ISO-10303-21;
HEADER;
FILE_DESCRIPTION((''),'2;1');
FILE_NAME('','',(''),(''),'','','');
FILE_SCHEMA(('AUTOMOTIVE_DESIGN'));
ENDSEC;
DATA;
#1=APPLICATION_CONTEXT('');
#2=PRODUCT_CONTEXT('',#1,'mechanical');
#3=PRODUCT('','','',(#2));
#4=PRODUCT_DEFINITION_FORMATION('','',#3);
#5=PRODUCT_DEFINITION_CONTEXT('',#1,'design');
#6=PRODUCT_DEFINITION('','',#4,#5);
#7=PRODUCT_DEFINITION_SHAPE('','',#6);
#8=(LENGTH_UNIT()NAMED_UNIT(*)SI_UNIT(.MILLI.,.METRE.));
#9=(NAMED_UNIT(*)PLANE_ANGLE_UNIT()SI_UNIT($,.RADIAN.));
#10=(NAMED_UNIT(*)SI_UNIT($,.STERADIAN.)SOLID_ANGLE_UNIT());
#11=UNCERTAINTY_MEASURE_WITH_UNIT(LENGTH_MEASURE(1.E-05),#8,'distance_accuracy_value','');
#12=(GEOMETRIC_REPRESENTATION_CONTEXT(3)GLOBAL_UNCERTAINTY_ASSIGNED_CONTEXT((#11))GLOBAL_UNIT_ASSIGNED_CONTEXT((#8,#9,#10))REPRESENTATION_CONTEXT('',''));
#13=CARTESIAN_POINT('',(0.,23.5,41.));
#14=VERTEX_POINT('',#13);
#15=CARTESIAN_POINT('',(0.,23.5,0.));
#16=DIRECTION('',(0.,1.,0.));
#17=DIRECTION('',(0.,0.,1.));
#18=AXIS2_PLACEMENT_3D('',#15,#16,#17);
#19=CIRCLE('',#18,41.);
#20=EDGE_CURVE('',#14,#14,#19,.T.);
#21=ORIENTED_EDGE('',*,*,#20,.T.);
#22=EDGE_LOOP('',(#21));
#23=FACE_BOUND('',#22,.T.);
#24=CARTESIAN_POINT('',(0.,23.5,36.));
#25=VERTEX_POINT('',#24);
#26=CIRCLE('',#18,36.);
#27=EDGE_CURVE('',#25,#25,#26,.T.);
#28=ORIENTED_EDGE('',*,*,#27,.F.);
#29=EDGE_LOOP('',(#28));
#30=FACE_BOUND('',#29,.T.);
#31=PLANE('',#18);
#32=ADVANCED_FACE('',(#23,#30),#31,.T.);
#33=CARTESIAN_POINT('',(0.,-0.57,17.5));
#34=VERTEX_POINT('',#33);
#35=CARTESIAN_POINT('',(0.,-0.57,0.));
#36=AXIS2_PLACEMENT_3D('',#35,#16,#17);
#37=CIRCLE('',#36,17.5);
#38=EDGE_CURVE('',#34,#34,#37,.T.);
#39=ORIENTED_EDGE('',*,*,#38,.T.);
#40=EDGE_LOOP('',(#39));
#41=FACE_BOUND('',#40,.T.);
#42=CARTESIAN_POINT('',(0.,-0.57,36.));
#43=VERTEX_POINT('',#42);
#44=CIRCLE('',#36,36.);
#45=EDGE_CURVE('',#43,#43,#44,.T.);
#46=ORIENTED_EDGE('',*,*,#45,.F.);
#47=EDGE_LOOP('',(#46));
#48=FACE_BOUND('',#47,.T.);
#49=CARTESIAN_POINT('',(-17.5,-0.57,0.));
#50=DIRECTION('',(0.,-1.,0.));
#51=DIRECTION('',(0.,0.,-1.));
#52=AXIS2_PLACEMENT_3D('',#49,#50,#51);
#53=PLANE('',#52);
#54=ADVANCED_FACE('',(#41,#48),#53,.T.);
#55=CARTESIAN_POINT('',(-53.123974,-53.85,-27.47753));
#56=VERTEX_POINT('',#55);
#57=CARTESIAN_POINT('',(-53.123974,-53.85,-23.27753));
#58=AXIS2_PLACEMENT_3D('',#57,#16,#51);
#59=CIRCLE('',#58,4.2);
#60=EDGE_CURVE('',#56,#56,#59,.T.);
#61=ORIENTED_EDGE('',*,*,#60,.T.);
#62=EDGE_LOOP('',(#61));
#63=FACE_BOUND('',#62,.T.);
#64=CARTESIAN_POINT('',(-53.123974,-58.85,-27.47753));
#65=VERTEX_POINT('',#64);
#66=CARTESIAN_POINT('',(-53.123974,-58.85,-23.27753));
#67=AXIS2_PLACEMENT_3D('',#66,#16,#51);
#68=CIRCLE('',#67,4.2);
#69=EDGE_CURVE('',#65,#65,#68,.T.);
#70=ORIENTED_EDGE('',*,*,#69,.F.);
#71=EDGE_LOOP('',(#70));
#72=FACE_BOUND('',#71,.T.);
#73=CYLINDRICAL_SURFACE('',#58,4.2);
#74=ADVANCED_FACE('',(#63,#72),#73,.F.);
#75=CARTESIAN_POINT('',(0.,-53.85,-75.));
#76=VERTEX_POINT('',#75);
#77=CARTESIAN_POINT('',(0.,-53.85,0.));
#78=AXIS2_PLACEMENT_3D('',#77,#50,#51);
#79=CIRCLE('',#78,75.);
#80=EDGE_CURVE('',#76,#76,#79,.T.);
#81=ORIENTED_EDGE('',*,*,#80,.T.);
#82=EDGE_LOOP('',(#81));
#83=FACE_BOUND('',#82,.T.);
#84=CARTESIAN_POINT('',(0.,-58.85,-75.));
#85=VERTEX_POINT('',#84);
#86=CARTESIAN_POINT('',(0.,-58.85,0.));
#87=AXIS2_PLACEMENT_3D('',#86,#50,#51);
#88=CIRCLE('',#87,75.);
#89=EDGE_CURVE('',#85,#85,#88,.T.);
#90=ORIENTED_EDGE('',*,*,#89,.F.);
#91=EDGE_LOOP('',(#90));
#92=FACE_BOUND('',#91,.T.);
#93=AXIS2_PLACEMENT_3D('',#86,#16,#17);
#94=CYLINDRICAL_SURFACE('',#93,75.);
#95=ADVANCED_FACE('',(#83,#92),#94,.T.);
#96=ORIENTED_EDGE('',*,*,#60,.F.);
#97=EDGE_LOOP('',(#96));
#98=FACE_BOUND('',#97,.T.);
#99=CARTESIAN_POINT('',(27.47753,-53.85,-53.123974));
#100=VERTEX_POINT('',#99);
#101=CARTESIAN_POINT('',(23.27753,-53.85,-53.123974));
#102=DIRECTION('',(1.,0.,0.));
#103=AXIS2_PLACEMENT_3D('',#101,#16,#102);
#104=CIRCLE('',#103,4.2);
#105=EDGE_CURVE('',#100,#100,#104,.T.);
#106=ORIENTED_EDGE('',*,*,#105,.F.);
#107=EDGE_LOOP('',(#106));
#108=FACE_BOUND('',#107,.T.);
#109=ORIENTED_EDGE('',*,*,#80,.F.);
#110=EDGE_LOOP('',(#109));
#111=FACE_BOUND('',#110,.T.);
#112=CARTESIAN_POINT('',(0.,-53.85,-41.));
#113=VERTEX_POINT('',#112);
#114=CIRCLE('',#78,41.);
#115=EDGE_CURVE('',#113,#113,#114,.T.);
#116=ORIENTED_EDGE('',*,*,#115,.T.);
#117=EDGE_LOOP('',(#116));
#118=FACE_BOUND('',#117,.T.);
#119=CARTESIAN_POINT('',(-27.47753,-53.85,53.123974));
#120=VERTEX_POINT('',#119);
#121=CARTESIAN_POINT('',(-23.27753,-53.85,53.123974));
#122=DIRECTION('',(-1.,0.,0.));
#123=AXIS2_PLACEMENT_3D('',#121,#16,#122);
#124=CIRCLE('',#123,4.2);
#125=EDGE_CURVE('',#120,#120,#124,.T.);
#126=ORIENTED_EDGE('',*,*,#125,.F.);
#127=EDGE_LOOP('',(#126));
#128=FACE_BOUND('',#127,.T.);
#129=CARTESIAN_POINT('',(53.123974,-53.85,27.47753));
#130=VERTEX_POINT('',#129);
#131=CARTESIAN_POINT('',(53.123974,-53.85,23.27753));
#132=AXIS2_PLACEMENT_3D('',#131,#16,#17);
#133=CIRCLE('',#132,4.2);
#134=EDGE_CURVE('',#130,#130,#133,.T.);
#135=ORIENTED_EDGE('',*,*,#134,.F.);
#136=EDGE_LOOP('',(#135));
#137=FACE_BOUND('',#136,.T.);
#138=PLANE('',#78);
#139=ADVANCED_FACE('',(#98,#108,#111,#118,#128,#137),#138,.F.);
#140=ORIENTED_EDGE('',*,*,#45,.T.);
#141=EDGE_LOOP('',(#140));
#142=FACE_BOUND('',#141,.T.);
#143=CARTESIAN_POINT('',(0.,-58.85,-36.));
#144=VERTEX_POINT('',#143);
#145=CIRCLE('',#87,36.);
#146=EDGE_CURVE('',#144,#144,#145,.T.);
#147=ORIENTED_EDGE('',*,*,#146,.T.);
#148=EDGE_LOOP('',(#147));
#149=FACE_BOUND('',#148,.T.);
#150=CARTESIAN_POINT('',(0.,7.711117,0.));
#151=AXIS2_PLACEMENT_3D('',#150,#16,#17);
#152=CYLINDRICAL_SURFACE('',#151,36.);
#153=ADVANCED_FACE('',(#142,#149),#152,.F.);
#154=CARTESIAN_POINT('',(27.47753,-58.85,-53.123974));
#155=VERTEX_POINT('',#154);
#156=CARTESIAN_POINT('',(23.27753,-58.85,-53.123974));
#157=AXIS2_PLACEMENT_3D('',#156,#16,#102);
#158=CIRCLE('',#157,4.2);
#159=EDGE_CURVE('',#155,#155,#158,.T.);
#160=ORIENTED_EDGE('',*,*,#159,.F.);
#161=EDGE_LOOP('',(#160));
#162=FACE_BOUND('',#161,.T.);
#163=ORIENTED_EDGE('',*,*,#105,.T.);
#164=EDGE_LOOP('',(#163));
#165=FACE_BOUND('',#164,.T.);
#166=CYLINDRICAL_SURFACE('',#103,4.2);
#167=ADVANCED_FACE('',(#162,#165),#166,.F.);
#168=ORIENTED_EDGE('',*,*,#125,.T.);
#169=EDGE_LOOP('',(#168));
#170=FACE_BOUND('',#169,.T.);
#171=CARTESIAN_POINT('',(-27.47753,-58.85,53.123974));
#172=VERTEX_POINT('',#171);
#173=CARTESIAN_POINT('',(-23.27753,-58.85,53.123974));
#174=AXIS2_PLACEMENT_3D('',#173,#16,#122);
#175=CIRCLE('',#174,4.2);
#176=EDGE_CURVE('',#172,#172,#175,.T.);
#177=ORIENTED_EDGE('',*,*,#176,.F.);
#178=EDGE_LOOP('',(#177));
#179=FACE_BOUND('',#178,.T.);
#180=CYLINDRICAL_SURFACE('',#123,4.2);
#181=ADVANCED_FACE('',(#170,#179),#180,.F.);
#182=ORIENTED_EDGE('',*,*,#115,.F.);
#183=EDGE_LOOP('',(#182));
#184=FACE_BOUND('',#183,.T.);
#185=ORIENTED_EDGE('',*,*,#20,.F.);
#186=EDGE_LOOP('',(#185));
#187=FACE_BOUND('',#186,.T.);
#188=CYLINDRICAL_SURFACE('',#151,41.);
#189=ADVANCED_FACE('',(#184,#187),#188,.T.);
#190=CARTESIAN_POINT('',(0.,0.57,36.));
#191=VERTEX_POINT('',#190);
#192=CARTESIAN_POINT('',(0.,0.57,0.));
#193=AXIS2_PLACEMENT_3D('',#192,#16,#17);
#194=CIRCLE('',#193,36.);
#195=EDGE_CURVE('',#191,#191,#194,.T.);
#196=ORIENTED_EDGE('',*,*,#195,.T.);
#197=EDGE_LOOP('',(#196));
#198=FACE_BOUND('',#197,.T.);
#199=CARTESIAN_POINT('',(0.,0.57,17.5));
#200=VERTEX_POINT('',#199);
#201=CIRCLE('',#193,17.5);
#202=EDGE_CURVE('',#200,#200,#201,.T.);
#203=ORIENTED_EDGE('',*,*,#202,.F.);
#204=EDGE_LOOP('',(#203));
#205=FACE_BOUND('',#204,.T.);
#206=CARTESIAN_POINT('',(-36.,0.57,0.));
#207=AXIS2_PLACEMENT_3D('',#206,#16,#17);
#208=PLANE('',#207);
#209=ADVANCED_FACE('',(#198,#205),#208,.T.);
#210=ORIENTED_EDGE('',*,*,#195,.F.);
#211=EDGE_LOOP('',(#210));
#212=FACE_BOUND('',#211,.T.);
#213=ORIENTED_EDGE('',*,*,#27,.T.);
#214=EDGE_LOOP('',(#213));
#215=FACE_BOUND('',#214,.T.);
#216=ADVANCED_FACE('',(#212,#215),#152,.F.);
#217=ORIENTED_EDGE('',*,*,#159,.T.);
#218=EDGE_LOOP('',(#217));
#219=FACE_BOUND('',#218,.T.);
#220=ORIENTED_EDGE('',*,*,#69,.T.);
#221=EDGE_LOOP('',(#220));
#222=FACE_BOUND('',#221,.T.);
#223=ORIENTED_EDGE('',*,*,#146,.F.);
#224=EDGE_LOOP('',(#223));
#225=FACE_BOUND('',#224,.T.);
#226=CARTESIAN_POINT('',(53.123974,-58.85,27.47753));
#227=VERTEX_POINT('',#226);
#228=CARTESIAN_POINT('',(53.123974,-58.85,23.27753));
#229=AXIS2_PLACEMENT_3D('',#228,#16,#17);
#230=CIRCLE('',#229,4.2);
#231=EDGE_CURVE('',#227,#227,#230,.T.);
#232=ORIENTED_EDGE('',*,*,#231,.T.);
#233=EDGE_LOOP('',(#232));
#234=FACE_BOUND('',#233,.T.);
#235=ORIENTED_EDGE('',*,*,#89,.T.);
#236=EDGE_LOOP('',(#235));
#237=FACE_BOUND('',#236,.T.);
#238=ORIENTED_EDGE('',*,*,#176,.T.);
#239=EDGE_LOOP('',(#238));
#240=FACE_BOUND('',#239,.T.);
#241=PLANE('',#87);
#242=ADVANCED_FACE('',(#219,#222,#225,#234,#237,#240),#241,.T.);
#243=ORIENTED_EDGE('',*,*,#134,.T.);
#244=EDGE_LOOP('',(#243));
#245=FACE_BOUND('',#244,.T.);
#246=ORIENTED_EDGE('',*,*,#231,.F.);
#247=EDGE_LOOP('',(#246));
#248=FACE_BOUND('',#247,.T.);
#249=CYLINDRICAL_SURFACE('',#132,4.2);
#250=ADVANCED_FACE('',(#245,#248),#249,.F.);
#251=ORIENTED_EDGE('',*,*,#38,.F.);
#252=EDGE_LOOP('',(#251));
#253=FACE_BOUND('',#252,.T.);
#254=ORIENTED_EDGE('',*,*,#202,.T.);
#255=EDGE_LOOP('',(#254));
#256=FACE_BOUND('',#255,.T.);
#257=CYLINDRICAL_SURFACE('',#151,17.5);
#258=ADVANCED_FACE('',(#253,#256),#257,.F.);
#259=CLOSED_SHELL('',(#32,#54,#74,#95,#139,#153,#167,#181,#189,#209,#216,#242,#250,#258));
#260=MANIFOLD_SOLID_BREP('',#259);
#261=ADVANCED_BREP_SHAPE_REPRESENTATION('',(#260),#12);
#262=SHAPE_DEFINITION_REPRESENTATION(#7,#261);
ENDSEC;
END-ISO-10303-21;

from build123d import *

# Parameters (mm, degrees)
BOSS_EXTRU_1_START           = 3.85
ESQUISSE2_R                  = 41
ESQUISSE2_R_2                = 36
BOSS_EXTRU_1_DEPTH           = 3.85
ENL_V_START                  = -26.5
ESQUISSE4_R                  = 41
ESQUISSE4_R_2                = 36
ENL_V_MAT_EXTRU_2_DEPTH      = 26.5
BOSS_EXTRU_2_START           = 5
ESQUISSE5_R                  = 75
ESQUISSE5_R_2                = 36
BOSS_EXTRU_2_DEPTH           = 5
D_GAGEMENT_M81_D             = 8.4
R_P_TITION_CIRCULAIRE1_COUNT = 4


with BuildPart() as part:
    # Esquisse1 → Révolution1 (revolve)
    with BuildSketch(Plane.XY, mode=Mode.PRIVATE) as r_volution1_sk:
        Polygon((-17.5, 0.57), (-17.5, -0.57), (-36, -0.57), (-36, -50), (-41, -50), (-41, 50), (-36, 50), (-36, 0.57), align=None)
    revolve(r_volution1_sk.sketch.rotate(Axis((0, 7.711117165, 0), (0, -1, 0)), 270), axis=Axis((0, 7.711117165, 0), (0, -1, 0)))

    # Esquisse2 → Boss.-Extru.1 (add)
    with BuildSketch(Plane.XZ.offset(50).offset(BOSS_EXTRU_1_START)):
        with Locations(Location((0, 0, 0), (0, 0, 90))):
            Circle(ESQUISSE2_R)
        with Locations(Location((0, 0, 0), (0, 0, 90))):
            Circle(ESQUISSE2_R_2, mode=Mode.SUBTRACT)
    extrude(amount=-BOSS_EXTRU_1_DEPTH)

    # Esquisse4 → Enlèv. mat.-Extru.2 (cut)
    with BuildSketch(Plane(origin=(0, 50, 0), x_dir=(1, 0, 0), z_dir=(0, 1, 0)).offset(ENL_V_START)):
        with Locations(Location((0, 0, 0), (0, 0, 270))):
            Circle(ESQUISSE4_R)
        with Locations(Location((0, 0, 0), (0, 0, 270))):
            Circle(ESQUISSE4_R_2, mode=Mode.SUBTRACT)
    extrude(amount=ENL_V_MAT_EXTRU_2_DEPTH, mode=Mode.SUBTRACT)

    # Esquisse5 → Boss.-Extru.2 (add)
    with BuildSketch(Plane.XZ.offset(53.85).offset(BOSS_EXTRU_2_START)):
        with Locations(Location((0, 0, 0), (0, 0, 270))):
            Circle(ESQUISSE5_R)
        with Locations(Location((0, 0, 0), (0, 0, 90))):
            Circle(ESQUISSE5_R_2, mode=Mode.SUBTRACT)
    extrude(amount=-BOSS_EXTRU_2_DEPTH)

    # Dégagement M81 (through all)
    with Locations(Plane(origin=(0, -53.85, 0), x_dir=(1, 0, 0), z_dir=(0, 1, 0))):
        with Locations((53.123973782, -23.277530145)):
            d_gagement_m81 = Hole(D_GAGEMENT_M81_D / 2)

    # Répétition circulaire1: Dégagement M81 ×4 about axis
    r_p_tition_circulaire1_axis = Axis((0, 0, 0), (0, 1, 0))
    for i in range(1, R_P_TITION_CIRCULAIRE1_COUNT):
        add(d_gagement_m81.rotate(r_p_tition_circulaire1_axis, i * 360 / R_P_TITION_CIRCULAIRE1_COUNT), mode=Mode.SUBTRACT)


solid = part.part
